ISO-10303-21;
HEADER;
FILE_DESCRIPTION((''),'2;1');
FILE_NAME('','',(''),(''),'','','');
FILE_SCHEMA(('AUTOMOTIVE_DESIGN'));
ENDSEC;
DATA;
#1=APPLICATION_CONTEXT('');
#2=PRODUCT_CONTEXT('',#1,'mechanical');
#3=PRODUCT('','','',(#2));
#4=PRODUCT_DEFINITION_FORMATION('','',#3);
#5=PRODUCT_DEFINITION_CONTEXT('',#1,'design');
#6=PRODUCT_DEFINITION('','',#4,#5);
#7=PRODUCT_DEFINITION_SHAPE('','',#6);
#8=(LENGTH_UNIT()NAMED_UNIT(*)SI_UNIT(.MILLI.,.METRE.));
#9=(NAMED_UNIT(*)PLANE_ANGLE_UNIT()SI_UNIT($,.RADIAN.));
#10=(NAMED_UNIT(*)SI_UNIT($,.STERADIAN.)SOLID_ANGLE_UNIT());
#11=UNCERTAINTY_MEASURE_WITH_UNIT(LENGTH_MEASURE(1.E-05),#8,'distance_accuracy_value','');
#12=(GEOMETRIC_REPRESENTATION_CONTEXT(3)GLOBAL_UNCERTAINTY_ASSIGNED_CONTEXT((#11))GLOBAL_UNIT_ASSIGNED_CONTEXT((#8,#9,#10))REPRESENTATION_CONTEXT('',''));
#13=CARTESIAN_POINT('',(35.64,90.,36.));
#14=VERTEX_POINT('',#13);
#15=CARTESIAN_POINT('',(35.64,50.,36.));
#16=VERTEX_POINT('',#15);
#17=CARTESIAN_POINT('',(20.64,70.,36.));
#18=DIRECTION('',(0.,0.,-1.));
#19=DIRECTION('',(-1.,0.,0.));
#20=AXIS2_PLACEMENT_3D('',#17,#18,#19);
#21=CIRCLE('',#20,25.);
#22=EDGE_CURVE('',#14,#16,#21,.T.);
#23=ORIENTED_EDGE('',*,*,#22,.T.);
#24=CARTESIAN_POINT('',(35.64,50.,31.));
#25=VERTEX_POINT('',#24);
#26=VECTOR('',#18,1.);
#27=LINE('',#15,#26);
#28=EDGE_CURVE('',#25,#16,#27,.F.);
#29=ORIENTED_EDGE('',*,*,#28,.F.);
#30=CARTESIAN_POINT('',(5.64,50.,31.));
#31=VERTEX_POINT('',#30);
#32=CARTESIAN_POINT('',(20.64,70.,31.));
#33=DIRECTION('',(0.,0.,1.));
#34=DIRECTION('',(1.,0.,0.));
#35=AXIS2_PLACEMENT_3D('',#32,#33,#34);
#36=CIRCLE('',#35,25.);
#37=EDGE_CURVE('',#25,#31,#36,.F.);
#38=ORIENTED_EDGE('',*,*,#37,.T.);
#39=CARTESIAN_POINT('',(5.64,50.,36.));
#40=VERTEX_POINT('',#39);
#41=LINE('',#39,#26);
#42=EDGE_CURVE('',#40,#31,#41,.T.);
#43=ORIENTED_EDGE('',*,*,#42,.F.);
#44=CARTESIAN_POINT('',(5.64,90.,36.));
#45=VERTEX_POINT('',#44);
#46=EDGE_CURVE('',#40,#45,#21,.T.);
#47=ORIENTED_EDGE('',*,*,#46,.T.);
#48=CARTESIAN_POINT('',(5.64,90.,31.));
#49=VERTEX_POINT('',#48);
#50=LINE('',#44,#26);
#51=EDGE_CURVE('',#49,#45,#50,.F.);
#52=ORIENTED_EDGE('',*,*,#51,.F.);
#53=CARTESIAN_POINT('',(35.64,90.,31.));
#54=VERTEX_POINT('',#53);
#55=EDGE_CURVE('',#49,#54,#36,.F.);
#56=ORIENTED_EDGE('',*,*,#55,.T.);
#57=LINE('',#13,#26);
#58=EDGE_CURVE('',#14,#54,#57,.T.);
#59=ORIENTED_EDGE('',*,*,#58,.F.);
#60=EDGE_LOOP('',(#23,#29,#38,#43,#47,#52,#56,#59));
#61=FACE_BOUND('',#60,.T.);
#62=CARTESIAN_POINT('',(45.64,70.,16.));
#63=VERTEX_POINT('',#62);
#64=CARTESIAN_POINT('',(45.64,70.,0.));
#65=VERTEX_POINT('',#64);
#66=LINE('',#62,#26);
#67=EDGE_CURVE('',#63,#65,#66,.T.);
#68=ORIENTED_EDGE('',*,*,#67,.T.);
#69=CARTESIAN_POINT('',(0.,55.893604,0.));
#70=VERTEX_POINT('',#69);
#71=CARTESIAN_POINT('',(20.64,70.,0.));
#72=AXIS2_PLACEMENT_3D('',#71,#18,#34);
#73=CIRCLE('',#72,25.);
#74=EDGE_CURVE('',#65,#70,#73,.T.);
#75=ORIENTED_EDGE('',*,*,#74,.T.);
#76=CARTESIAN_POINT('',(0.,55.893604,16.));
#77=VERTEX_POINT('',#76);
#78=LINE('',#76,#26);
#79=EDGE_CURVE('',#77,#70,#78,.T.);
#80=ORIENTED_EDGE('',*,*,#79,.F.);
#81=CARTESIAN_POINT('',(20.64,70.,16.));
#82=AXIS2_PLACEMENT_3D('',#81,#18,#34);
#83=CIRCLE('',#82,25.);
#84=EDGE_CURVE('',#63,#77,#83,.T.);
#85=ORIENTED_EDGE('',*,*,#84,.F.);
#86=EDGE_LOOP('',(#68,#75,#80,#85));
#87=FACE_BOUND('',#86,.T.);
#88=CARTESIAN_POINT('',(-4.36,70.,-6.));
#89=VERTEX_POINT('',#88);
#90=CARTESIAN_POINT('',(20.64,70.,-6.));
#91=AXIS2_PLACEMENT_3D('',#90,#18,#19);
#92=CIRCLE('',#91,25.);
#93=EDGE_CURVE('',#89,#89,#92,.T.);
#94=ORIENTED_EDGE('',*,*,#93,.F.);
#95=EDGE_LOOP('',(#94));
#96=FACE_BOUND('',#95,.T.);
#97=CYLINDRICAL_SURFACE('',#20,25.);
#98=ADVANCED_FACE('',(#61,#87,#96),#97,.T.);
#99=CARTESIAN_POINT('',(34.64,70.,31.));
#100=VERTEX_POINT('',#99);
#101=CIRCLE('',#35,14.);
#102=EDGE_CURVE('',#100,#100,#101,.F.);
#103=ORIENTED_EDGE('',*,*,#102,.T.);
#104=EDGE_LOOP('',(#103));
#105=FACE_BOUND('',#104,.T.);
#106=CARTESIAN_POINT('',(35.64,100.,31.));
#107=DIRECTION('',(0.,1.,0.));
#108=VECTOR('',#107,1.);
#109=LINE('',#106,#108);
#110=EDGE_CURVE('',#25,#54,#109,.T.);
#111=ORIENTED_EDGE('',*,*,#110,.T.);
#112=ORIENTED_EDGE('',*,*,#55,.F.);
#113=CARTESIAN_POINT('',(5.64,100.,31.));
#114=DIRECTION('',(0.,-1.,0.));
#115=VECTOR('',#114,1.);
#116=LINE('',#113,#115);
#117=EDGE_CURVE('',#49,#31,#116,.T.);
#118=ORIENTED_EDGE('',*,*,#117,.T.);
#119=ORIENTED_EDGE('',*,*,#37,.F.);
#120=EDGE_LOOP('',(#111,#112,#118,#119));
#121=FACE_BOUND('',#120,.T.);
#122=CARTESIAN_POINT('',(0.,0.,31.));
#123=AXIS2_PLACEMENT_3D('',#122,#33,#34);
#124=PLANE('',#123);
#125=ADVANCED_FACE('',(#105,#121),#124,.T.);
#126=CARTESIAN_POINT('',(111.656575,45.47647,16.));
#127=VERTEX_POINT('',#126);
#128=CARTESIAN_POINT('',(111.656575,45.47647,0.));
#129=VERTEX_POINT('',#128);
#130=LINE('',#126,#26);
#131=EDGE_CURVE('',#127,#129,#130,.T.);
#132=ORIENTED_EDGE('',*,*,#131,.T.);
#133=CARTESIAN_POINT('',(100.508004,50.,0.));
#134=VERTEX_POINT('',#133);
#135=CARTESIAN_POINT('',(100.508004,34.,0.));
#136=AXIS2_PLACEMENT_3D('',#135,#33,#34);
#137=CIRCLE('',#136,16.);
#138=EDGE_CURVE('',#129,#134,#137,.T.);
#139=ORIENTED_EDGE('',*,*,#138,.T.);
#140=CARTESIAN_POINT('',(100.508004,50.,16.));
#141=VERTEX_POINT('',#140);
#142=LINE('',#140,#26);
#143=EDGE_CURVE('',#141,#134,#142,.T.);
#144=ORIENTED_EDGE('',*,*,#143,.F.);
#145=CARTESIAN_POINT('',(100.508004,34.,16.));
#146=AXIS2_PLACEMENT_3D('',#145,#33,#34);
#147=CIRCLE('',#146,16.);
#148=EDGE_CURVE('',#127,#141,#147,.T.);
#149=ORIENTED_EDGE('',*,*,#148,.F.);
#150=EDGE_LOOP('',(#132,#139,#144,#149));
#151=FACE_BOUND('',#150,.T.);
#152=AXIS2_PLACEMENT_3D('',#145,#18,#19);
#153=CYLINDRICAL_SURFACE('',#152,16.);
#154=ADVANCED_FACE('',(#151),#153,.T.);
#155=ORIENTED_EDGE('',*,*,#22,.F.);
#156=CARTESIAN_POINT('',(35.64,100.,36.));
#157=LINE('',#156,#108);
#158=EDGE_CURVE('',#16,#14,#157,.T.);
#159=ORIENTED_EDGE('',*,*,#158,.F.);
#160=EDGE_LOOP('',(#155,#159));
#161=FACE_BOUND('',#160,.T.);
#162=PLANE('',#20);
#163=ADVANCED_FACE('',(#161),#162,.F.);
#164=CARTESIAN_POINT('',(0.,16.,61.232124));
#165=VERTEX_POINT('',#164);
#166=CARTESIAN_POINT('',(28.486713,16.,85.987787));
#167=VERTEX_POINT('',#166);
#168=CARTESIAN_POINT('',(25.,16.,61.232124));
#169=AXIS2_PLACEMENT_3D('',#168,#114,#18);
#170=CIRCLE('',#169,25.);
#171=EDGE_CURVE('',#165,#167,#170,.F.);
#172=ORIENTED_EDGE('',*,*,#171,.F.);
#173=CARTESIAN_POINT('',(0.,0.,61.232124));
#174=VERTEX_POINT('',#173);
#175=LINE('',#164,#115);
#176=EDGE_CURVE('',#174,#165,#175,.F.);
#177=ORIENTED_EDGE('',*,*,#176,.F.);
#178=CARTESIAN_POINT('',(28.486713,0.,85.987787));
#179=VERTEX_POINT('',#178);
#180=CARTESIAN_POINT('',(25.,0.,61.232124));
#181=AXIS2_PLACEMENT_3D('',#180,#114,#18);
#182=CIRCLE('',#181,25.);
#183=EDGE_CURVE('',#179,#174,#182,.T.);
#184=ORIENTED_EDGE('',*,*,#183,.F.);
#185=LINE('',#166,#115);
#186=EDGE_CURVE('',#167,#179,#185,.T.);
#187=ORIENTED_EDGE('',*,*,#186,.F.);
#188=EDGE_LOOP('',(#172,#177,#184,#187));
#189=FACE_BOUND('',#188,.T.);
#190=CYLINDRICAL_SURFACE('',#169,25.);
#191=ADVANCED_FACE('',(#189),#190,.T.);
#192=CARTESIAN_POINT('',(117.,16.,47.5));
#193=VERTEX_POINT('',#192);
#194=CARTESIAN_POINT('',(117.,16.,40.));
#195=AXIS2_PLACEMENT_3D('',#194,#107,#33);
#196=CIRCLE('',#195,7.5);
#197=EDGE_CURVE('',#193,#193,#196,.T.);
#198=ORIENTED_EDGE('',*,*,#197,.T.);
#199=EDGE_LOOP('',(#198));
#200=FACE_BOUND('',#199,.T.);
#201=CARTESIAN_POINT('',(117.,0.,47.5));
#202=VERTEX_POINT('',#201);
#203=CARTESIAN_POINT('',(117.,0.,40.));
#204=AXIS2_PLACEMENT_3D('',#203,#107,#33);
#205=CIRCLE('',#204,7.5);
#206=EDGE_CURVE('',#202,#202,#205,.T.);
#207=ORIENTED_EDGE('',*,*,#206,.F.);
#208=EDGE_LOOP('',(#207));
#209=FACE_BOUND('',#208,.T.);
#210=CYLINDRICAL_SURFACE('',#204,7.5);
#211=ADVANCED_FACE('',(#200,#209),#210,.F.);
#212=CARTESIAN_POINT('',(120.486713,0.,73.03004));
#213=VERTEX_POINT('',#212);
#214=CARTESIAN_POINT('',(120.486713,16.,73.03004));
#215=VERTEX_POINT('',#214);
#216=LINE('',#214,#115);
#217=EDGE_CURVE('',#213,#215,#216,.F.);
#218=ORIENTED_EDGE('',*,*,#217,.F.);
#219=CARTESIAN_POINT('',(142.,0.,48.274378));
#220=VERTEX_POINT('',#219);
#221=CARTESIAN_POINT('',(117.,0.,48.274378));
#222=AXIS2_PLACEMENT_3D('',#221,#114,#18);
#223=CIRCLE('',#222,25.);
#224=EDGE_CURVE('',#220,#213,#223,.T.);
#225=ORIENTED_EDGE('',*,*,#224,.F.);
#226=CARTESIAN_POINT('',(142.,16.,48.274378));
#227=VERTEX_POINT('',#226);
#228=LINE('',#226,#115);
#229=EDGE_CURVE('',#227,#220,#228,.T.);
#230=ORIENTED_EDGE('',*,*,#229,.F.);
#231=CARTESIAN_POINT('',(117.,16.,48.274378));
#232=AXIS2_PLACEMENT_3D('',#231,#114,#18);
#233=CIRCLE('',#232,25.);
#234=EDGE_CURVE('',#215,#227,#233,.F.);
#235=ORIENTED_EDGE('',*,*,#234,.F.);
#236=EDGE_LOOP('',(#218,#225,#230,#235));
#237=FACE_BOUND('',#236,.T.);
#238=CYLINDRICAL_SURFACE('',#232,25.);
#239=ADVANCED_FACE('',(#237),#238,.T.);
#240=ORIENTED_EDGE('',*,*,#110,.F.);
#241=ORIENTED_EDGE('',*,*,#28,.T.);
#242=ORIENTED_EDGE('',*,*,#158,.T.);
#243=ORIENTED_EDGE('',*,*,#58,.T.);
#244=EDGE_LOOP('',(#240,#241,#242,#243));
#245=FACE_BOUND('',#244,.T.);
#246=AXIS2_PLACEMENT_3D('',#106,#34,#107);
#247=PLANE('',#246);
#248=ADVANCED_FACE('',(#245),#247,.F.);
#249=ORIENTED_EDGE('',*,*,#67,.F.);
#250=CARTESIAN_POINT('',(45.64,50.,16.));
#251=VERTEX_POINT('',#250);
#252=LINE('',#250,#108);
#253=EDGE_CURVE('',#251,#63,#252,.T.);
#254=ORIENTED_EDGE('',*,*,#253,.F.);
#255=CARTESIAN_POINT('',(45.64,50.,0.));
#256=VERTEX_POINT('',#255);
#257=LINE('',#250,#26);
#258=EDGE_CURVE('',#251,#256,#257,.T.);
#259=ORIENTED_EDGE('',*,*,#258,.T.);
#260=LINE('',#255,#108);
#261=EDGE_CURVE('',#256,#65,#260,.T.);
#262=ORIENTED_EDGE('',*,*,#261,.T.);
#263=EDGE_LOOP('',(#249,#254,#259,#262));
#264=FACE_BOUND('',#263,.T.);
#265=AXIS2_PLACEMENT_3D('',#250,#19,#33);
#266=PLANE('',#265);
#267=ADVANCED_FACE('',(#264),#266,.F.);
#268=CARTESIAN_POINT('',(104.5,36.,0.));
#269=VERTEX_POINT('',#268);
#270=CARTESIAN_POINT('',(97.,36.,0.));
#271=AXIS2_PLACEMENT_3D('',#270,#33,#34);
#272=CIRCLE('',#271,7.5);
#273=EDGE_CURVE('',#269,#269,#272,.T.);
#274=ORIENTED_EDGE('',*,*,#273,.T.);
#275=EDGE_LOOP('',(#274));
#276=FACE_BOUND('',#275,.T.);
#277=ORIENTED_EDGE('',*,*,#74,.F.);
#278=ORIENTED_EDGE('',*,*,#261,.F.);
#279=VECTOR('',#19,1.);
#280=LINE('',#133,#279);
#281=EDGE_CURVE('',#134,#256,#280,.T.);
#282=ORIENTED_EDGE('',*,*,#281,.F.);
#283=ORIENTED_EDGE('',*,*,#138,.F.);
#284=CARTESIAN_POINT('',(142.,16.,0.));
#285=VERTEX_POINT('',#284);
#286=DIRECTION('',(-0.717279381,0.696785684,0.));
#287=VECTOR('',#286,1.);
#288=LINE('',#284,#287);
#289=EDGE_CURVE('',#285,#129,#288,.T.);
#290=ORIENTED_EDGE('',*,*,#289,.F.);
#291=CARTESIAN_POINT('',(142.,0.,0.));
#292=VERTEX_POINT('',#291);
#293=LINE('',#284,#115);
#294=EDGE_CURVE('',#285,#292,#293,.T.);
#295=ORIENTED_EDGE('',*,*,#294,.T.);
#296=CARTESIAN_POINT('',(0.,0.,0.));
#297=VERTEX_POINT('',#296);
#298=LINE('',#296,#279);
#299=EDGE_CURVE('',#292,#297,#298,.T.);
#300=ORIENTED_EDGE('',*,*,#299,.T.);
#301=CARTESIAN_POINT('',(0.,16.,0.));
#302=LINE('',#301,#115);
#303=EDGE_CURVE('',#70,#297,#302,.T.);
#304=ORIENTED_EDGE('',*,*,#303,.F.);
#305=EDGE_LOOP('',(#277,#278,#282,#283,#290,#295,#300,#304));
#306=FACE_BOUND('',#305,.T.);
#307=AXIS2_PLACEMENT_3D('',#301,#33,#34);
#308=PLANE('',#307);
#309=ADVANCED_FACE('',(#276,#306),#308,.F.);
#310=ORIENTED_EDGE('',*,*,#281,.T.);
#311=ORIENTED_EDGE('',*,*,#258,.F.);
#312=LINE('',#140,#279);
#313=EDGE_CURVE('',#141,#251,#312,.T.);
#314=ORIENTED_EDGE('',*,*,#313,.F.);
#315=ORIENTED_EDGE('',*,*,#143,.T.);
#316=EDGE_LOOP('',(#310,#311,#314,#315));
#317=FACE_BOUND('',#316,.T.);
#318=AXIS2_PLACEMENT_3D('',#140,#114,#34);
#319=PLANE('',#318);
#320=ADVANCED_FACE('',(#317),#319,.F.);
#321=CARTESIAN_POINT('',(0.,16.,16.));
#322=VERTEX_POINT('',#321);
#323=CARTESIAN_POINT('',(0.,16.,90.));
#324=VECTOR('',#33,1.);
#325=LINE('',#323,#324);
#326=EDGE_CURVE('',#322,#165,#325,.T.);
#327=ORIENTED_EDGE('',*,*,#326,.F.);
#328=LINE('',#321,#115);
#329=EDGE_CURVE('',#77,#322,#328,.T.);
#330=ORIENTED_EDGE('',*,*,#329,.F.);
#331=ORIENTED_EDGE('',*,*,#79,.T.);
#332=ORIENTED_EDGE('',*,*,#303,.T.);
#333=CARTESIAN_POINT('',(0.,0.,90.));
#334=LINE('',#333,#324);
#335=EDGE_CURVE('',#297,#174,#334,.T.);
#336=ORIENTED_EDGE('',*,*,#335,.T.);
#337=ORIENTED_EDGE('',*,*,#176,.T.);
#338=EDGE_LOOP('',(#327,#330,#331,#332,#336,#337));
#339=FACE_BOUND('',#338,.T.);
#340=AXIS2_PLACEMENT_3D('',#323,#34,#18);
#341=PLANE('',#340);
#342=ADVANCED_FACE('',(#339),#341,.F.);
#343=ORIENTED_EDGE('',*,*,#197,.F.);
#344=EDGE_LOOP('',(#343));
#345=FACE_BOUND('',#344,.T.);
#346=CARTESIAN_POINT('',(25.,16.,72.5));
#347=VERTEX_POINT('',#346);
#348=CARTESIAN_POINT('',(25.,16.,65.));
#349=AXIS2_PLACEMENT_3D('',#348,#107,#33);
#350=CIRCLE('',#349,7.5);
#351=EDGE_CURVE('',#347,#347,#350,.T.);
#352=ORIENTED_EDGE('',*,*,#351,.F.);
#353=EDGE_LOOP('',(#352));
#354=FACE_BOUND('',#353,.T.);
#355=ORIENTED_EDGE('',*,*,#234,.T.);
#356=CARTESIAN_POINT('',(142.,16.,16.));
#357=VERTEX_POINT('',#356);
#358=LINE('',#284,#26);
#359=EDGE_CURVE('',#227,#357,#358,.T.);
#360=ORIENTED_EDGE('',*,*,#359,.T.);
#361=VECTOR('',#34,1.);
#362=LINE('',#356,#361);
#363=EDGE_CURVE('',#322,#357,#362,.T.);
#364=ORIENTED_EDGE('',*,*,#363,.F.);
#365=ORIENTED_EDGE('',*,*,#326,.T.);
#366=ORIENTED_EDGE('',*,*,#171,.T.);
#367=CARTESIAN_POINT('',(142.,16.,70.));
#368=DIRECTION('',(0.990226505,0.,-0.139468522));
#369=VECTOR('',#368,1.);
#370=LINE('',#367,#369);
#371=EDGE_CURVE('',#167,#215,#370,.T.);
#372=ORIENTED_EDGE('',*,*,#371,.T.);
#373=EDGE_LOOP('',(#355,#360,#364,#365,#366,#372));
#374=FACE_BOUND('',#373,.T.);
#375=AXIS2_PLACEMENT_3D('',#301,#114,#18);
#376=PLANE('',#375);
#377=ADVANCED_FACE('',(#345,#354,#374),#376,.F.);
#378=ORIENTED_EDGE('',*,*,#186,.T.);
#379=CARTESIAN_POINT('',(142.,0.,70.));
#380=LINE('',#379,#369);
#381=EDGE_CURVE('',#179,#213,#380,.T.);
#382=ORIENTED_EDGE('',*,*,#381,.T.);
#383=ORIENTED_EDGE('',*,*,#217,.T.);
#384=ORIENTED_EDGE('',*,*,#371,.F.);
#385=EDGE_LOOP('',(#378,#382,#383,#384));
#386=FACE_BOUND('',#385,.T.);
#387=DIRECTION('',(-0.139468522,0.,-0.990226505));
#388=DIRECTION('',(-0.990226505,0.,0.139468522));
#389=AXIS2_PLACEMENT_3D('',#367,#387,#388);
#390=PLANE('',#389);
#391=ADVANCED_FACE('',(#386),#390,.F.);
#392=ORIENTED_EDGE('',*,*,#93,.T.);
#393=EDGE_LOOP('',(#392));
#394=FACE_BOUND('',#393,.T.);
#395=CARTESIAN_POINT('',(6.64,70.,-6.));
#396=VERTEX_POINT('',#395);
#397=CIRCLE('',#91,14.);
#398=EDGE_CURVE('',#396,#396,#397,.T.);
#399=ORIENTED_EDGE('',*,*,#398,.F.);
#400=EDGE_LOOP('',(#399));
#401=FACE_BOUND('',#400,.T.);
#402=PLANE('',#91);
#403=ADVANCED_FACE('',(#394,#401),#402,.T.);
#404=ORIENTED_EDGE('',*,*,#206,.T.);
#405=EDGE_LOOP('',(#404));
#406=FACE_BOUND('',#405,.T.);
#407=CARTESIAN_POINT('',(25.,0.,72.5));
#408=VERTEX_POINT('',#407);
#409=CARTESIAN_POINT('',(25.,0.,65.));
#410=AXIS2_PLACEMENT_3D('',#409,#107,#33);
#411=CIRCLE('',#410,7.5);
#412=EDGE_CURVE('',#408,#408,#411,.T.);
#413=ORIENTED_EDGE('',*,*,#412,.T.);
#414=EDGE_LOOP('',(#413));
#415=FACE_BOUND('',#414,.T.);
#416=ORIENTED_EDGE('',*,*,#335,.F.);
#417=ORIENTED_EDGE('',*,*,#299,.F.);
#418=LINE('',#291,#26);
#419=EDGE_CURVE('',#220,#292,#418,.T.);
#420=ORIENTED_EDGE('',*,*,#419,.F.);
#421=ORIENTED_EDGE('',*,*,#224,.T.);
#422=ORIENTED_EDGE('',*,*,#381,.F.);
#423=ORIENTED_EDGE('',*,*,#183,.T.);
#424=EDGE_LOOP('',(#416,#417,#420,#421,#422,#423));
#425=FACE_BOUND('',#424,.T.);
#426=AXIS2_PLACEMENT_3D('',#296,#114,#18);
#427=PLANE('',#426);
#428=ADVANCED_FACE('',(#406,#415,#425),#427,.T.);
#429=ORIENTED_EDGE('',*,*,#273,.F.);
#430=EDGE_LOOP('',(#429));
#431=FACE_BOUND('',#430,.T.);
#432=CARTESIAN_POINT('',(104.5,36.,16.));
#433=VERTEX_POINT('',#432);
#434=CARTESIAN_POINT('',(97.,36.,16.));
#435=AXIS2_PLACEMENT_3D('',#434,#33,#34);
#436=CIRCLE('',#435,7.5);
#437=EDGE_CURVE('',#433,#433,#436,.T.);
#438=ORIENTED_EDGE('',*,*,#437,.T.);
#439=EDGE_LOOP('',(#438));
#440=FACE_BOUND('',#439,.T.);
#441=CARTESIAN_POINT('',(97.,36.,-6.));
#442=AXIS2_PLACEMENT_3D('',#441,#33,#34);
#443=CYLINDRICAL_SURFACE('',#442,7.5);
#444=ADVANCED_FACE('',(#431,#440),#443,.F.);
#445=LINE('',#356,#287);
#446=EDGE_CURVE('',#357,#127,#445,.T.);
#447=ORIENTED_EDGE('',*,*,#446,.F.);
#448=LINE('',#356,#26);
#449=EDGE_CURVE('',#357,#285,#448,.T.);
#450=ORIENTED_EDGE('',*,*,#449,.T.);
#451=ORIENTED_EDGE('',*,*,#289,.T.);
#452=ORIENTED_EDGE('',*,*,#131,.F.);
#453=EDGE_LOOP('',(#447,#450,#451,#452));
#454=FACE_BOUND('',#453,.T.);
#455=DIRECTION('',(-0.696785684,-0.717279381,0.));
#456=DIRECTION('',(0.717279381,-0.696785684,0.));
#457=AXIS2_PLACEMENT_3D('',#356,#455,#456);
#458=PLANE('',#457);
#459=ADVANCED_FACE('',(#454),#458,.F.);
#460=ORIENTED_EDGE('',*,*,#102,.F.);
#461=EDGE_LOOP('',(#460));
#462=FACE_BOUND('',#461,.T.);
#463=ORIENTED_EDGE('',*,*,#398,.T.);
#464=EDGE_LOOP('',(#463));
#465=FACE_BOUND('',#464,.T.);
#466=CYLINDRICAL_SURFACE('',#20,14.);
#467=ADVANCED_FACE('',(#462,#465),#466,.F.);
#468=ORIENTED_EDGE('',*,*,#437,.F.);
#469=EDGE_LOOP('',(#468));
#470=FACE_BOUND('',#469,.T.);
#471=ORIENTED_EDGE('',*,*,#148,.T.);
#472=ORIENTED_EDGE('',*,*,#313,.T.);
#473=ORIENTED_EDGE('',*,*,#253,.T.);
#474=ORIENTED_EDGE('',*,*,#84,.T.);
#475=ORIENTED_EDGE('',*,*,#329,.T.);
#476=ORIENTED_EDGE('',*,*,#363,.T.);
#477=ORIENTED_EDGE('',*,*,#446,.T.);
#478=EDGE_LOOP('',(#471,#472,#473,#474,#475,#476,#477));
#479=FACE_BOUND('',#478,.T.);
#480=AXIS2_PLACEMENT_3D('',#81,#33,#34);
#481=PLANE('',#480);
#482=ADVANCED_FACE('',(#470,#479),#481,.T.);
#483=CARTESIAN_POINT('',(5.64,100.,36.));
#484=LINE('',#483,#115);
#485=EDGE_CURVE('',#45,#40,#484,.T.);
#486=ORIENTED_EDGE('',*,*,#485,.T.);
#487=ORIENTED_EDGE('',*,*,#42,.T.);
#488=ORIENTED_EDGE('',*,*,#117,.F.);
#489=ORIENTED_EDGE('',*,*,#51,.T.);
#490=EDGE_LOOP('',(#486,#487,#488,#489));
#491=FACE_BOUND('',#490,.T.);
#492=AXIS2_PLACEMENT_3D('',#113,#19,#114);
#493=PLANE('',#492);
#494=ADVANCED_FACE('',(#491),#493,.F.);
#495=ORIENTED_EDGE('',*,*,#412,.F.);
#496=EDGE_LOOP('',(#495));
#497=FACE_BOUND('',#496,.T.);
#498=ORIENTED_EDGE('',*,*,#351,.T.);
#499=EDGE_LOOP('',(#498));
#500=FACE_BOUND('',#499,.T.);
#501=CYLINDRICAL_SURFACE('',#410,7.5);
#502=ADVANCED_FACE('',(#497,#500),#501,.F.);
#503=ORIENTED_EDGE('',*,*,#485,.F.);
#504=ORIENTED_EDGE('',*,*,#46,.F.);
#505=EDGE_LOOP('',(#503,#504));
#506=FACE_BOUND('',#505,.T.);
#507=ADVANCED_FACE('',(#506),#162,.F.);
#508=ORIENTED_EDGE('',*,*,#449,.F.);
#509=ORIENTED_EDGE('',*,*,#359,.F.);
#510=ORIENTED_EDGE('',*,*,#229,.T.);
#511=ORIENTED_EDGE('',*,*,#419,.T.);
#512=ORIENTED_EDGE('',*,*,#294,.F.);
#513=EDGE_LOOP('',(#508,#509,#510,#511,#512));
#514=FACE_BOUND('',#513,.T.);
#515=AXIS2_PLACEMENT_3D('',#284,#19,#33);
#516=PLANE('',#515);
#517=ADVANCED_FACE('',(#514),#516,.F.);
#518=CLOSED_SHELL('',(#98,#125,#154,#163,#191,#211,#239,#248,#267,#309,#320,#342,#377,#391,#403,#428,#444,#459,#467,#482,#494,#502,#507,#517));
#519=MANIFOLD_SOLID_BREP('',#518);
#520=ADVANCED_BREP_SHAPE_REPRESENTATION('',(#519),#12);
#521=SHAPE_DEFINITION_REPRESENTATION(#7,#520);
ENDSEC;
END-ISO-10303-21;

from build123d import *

# Parameters (mm, degrees)
BOSS_EXTRUDE1_DEPTH      = 16
FILLET1_R                = 25
SKETCH2_R                = 7.5
CUT_EXTRUDE1_DEPTH       = 167.901106215
BOSS_EXTRUDE2_DEPTH      = 6
BOSS_EXTRUDE2_DEPTH_BACK = 36
SKETCH3_R                = 25
SKETCH3_R_2              = 14
BOSS_EXTRUDE3_DEPTH      = 16
SKETCH5_R                = 7.5
CUT_EXTRUDE2_DEPTH       = 185.720197269
SKETCH6_W                = 30
SKETCH6_H                = 60
CUT_EXTRUDE3_DEPTH       = 5


with BuildPart() as part:
    # Sketch1 → Boss-Extrude1 (new body)
    with BuildSketch(Plane(origin=(0, 0, 0), x_dir=(1, 0, 0), z_dir=(0, 1, 0))):
        Polygon((0, 0), (142, 0), (142, -70), (0, -90), align=None)
    extrude(amount=BOSS_EXTRUDE1_DEPTH)

    # Fillet1
    fillet1_edges = [part.edges().sort_by_distance(p)[0] for p in [
        (142, 8, 70),
        (0, 8, 90),
    ]]
    fillet(fillet1_edges, radius=FILLET1_R)

    # Sketch2 → Cut-Extrude1 (cut, through all)
    with BuildSketch(Plane(origin=(0, 16, 0), x_dir=(1, 0, 0), z_dir=(0, 1, 0))):
        with Locations(Location((25, -65, 0), (0, 0, 270))):
            Circle(SKETCH2_R)
        with Locations(Location((117, -40, 0), (0, 0, 270))):
            Circle(SKETCH2_R)
    extrude(amount=-CUT_EXTRUDE1_DEPTH, mode=Mode.SUBTRACT)



with BuildPart() as body_2:
    # Sketch3 → Boss-Extrude2 (new, two sides: drawn at the far end of the back side and taken through both)
    with BuildSketch(Plane(origin=(0, 0, 0), x_dir=(-1, 0, 0), z_dir=(0, 0, -1)).offset(-BOSS_EXTRUDE2_DEPTH_BACK)):
        with Locations((-20.64, 70)):
            Circle(SKETCH3_R)
        with Locations((-20.64, 70)):
            Circle(SKETCH3_R_2, mode=Mode.SUBTRACT)
    extrude(amount=BOSS_EXTRUDE2_DEPTH + BOSS_EXTRUDE2_DEPTH_BACK)


with BuildPart() as part_1:
    add(part.part)

    add(body_2.part)  # Boss-Extrude3 merges body 2
    # Sketch4 → Boss-Extrude3 (add)
    with BuildSketch(Plane.XY):
        with BuildLine():
            Line((142, 16), (111.656574903, 45.476470094))
            ThreePointArc((111.656574903, 45.476470094), (106.523670107, 48.826050072), (100.508003955, 50))
            Line((100.508003955, 50), (45.64, 50))
            Line((45.64, 50), (45.64, 70))
            ThreePointArc((45.64, 70), (28.02241153, 46.114858175), (0, 55.893604287))
            Line((0, 55.893604287), (0, 16))
            Line((0, 16), (142, 16))
        make_face()
    extrude(amount=BOSS_EXTRUDE3_DEPTH)

    # Sketch5 → Cut-Extrude2 (cut, through all)
    with BuildSketch(Plane.XY.offset(16)):
        with Locations((97, 36)):
            Circle(SKETCH5_R)
    extrude(amount=-CUT_EXTRUDE2_DEPTH, mode=Mode.SUBTRACT)

    # Sketch6 → Cut-Extrude3 (cut)
    with BuildSketch(Plane.XY.offset(36)):
        with Locations((20.64, 70)):
            Rectangle(SKETCH6_W, SKETCH6_H)
    extrude(amount=-CUT_EXTRUDE3_DEPTH, mode=Mode.SUBTRACT)


solid = part_1.part
